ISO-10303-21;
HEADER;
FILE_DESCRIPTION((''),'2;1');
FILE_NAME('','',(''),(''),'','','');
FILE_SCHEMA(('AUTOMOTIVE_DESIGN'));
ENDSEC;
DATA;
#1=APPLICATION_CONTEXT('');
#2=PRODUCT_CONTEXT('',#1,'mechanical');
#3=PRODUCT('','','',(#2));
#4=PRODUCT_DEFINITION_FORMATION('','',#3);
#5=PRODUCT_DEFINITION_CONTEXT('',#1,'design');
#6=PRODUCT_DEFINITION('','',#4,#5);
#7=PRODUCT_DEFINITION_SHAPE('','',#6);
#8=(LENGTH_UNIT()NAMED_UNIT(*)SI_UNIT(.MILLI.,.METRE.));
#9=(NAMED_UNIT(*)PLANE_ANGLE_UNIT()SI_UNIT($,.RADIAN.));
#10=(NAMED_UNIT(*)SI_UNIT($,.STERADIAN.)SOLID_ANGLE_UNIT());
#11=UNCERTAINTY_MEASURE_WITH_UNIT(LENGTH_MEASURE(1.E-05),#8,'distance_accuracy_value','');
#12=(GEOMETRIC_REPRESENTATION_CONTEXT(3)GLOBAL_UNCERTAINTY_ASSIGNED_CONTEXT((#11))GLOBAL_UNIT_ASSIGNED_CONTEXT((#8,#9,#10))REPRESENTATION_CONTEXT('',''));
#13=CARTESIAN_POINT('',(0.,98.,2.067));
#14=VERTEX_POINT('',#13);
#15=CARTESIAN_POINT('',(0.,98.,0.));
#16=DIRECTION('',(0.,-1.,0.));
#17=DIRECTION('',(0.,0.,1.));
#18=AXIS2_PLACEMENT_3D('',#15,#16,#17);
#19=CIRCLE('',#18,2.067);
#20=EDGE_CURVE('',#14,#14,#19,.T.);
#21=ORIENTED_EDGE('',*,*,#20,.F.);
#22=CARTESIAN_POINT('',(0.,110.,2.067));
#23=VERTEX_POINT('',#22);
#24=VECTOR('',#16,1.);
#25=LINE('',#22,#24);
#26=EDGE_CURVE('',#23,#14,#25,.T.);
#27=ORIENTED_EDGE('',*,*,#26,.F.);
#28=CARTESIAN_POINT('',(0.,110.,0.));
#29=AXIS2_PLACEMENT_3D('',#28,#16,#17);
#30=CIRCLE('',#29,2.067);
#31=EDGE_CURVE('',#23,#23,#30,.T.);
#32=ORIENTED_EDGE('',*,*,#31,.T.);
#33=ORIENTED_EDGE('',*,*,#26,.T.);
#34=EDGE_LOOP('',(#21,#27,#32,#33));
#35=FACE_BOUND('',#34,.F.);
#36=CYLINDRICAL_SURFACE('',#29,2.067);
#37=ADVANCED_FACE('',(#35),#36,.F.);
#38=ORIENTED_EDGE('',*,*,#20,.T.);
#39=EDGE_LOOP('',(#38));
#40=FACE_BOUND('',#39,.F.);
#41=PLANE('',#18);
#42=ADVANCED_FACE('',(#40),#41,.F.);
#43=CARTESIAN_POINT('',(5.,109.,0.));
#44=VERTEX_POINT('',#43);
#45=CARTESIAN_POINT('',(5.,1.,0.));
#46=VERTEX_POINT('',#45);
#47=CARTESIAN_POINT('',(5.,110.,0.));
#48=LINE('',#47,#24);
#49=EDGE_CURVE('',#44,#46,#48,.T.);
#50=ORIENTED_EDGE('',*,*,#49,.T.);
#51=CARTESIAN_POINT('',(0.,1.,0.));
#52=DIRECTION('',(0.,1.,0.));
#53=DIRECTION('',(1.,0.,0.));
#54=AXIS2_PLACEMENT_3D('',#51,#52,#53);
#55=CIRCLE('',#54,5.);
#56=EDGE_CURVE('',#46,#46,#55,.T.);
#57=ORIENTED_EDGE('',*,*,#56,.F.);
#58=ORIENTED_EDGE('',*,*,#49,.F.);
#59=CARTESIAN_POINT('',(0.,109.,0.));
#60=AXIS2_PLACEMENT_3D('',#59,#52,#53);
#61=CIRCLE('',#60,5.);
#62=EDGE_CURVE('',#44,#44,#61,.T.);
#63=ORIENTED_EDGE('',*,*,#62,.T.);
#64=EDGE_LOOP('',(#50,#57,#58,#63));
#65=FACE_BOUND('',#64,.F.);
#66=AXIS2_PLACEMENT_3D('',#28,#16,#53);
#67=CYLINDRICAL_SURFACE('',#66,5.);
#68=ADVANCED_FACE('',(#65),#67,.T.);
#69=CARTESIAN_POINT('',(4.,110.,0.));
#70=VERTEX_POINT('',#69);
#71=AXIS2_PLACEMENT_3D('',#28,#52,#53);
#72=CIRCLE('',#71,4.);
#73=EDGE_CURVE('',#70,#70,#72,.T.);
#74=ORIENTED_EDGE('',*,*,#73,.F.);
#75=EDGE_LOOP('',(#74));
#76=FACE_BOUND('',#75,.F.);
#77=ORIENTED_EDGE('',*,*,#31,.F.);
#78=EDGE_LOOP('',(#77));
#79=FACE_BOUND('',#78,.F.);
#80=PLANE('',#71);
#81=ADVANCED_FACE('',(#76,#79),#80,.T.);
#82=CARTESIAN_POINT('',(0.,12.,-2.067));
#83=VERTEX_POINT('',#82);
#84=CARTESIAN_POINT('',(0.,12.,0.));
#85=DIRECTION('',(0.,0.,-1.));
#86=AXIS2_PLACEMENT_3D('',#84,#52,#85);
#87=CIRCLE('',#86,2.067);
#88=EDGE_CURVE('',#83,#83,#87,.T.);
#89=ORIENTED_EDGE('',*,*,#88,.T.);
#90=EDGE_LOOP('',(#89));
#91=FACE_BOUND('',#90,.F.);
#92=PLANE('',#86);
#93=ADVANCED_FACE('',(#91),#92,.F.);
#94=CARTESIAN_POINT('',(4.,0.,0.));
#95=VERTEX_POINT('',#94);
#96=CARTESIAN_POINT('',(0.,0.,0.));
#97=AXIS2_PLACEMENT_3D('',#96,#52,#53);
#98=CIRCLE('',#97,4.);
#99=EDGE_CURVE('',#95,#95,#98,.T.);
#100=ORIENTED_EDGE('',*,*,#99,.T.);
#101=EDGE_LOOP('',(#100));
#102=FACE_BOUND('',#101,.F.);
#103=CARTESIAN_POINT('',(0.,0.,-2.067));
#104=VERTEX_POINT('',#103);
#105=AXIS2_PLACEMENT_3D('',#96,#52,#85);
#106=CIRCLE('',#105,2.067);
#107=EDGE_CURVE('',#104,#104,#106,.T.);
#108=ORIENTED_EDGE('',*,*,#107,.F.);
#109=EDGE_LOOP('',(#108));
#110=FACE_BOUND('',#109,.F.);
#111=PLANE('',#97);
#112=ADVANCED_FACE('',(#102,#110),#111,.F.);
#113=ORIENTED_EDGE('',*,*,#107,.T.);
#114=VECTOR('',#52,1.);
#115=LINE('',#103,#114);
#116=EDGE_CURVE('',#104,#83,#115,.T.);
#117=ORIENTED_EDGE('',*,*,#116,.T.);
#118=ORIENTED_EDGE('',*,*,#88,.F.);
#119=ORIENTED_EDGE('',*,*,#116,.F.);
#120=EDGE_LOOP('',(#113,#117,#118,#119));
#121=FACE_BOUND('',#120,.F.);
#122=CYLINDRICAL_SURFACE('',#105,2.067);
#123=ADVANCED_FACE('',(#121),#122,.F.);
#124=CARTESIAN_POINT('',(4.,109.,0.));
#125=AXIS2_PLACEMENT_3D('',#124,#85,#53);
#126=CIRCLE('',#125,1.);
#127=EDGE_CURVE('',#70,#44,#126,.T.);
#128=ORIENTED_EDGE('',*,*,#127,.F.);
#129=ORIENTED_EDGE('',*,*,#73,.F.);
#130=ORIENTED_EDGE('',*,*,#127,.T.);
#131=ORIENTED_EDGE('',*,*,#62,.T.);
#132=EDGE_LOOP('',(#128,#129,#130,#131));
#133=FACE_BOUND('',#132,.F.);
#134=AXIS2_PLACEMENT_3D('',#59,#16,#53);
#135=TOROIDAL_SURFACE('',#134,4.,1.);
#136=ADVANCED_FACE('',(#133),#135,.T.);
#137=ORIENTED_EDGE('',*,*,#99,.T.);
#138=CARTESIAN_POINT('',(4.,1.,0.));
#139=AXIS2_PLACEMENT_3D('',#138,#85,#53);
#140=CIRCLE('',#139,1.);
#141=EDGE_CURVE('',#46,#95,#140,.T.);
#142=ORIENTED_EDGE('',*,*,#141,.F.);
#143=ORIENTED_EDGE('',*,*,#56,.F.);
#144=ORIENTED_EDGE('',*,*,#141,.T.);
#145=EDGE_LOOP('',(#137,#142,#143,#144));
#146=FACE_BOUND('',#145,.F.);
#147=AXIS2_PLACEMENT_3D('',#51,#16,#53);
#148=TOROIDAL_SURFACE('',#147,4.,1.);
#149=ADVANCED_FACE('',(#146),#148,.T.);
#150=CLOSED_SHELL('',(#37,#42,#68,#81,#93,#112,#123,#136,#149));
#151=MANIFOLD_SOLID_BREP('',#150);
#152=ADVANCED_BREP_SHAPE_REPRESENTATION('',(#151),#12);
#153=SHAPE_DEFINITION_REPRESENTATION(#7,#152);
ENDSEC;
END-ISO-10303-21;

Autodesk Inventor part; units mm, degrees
ref_plane "YZ Plane" through (0, 0, 0) normal (1, 0, 0) x (0, 1, 0)
ref_plane "XZ Plane" through (0, 0, 0) normal (0, 1, 0) x (-1, 0, 0)
ref_plane "XY Plane" through (0, 0, 0) normal (0, 0, 1) x (1, 0, 0)
sketch "Sketch1" plane through (0, 0, 0) normal (0, 0, 1) x (1, 0, 0)
  line L0 (0, 0) -> (0, 110)
  line L1 (0, 110) -> (5, 110)
  line L2 (5, 110) -> (5, 0)
  line L3 (5, 0) -> (0, 0)
  dimension "d0" = 110
  dimension "d1" = 10
revolve "Revolution1" add sketch "Sketch1" angle 360 about axis through (0, 0, 0) along (0, 1, 0)
fillet "Fillet1" radius 1 2 edges at (-5, 0, 0) (-5, 110, 0)
sketch "Sketch2" plane through (0, 110, 0) normal (0, 1, 0) x (1, 0, 0)
  circle A0 centre (0, 0) radius 5 projected
hole "Hole1" at (0, 110, 0) direction (0, -1, 0) diameter 4.134 depth 12 thread size "M5x0.8" class "6H" standard "ISO Metric profile"
sketch "Sketch3" plane through (0, 0, 0) normal (0, -1, 0) x (1, 0, 0)
  circle A0 centre (0, 0) radius 5 projected
hole "Hole2" at (0, 0, 0) direction (0, 1, 0) diameter 4.134 depth 12 thread size "M5x0.8" class "6H" standard "ISO Metric profile"
properties part number "121"
